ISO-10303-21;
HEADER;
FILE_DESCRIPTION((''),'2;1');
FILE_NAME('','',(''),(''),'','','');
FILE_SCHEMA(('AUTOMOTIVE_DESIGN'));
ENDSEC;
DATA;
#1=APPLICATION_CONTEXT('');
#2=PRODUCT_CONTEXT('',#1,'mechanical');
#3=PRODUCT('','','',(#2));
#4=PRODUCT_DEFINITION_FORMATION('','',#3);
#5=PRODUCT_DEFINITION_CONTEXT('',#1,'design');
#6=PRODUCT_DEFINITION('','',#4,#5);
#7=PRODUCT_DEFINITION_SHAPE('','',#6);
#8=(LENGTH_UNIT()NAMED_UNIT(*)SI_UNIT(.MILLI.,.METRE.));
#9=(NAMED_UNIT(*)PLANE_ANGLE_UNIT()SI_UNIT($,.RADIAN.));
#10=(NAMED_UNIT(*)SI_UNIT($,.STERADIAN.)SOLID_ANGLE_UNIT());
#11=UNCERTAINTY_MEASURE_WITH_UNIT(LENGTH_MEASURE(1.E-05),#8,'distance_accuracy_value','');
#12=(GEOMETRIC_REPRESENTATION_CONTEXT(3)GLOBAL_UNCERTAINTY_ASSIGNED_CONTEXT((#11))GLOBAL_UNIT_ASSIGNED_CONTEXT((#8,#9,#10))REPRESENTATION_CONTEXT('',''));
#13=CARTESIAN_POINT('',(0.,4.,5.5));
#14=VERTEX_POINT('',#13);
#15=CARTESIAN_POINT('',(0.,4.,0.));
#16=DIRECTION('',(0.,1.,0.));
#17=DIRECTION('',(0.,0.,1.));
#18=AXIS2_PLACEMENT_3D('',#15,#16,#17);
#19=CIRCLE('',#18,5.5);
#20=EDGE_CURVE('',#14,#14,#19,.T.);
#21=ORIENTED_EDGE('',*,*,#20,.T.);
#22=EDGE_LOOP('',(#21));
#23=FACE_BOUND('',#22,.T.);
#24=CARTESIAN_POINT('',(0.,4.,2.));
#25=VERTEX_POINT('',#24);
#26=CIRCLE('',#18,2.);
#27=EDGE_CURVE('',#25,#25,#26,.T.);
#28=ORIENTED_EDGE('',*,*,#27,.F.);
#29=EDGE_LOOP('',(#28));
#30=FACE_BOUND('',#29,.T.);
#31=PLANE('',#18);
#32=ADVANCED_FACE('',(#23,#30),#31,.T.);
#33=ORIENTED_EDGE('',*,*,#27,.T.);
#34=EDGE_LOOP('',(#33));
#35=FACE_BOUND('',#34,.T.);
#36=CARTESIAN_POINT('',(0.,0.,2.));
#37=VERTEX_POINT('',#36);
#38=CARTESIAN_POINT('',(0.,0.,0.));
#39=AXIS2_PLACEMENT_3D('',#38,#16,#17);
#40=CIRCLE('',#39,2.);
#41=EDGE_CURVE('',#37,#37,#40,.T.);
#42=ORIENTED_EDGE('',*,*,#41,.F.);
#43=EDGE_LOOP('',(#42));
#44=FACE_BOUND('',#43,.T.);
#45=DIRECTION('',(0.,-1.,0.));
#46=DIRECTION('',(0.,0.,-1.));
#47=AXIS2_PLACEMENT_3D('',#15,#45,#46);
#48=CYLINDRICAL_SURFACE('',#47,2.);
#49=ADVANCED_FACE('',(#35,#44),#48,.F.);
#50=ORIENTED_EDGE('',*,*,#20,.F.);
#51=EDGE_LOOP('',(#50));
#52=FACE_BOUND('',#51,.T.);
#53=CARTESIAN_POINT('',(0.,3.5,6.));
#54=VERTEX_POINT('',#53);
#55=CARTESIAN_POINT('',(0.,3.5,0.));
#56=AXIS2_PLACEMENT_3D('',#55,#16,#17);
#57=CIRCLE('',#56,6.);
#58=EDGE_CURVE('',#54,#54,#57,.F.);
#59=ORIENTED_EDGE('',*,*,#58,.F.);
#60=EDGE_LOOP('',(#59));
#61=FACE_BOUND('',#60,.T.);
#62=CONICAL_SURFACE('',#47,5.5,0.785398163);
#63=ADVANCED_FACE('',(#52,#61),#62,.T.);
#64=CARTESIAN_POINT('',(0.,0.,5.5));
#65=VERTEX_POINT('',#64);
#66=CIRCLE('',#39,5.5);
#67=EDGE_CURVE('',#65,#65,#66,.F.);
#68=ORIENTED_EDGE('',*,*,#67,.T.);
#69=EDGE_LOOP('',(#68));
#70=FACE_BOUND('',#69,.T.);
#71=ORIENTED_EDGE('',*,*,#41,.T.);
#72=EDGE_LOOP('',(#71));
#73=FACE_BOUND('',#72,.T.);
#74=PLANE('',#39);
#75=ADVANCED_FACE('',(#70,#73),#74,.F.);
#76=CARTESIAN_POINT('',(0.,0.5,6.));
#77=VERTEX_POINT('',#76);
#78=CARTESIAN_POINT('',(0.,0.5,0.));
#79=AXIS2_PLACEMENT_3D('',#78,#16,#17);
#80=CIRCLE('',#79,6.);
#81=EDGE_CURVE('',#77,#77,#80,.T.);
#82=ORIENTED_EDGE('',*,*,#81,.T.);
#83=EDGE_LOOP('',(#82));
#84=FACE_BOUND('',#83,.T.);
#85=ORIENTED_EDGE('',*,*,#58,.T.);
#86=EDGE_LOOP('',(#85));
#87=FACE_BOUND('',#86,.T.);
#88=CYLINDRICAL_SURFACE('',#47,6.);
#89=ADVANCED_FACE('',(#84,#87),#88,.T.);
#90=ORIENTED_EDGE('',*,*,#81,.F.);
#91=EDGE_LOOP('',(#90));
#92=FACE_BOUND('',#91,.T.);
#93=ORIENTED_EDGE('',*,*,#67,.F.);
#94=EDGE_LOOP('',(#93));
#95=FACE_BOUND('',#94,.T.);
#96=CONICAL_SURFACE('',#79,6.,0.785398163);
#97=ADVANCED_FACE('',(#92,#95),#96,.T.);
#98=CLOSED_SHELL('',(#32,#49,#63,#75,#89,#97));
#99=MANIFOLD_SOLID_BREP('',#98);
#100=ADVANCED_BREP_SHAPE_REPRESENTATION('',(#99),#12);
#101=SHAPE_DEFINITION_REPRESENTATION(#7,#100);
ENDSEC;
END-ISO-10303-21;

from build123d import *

# Parameters (mm, degrees)
SKETCH1_R           = 6
SKETCH1_R_2         = 2
BOSS_EXTRUDE1_DEPTH = 4
CHAMFER1_SIZE       = 0.5


with BuildPart() as part:
    # Sketch1 → Boss-Extrude1 (new body)
    with BuildSketch(Plane(origin=(0, 0, 0), x_dir=(1, 0, 0), z_dir=(0, 1, 0))):
        Circle(SKETCH1_R)
        Circle(SKETCH1_R_2, mode=Mode.SUBTRACT)
    extrude(amount=BOSS_EXTRUDE1_DEPTH)

    # Chamfer1
    chamfer1_edges = [part.edges().sort_by_distance(p)[0] for p in [
        (-6, 0, 0),
        (-6, 4, 0),
    ]]
    chamfer(chamfer1_edges, length=CHAMFER1_SIZE)


solid = part.part
